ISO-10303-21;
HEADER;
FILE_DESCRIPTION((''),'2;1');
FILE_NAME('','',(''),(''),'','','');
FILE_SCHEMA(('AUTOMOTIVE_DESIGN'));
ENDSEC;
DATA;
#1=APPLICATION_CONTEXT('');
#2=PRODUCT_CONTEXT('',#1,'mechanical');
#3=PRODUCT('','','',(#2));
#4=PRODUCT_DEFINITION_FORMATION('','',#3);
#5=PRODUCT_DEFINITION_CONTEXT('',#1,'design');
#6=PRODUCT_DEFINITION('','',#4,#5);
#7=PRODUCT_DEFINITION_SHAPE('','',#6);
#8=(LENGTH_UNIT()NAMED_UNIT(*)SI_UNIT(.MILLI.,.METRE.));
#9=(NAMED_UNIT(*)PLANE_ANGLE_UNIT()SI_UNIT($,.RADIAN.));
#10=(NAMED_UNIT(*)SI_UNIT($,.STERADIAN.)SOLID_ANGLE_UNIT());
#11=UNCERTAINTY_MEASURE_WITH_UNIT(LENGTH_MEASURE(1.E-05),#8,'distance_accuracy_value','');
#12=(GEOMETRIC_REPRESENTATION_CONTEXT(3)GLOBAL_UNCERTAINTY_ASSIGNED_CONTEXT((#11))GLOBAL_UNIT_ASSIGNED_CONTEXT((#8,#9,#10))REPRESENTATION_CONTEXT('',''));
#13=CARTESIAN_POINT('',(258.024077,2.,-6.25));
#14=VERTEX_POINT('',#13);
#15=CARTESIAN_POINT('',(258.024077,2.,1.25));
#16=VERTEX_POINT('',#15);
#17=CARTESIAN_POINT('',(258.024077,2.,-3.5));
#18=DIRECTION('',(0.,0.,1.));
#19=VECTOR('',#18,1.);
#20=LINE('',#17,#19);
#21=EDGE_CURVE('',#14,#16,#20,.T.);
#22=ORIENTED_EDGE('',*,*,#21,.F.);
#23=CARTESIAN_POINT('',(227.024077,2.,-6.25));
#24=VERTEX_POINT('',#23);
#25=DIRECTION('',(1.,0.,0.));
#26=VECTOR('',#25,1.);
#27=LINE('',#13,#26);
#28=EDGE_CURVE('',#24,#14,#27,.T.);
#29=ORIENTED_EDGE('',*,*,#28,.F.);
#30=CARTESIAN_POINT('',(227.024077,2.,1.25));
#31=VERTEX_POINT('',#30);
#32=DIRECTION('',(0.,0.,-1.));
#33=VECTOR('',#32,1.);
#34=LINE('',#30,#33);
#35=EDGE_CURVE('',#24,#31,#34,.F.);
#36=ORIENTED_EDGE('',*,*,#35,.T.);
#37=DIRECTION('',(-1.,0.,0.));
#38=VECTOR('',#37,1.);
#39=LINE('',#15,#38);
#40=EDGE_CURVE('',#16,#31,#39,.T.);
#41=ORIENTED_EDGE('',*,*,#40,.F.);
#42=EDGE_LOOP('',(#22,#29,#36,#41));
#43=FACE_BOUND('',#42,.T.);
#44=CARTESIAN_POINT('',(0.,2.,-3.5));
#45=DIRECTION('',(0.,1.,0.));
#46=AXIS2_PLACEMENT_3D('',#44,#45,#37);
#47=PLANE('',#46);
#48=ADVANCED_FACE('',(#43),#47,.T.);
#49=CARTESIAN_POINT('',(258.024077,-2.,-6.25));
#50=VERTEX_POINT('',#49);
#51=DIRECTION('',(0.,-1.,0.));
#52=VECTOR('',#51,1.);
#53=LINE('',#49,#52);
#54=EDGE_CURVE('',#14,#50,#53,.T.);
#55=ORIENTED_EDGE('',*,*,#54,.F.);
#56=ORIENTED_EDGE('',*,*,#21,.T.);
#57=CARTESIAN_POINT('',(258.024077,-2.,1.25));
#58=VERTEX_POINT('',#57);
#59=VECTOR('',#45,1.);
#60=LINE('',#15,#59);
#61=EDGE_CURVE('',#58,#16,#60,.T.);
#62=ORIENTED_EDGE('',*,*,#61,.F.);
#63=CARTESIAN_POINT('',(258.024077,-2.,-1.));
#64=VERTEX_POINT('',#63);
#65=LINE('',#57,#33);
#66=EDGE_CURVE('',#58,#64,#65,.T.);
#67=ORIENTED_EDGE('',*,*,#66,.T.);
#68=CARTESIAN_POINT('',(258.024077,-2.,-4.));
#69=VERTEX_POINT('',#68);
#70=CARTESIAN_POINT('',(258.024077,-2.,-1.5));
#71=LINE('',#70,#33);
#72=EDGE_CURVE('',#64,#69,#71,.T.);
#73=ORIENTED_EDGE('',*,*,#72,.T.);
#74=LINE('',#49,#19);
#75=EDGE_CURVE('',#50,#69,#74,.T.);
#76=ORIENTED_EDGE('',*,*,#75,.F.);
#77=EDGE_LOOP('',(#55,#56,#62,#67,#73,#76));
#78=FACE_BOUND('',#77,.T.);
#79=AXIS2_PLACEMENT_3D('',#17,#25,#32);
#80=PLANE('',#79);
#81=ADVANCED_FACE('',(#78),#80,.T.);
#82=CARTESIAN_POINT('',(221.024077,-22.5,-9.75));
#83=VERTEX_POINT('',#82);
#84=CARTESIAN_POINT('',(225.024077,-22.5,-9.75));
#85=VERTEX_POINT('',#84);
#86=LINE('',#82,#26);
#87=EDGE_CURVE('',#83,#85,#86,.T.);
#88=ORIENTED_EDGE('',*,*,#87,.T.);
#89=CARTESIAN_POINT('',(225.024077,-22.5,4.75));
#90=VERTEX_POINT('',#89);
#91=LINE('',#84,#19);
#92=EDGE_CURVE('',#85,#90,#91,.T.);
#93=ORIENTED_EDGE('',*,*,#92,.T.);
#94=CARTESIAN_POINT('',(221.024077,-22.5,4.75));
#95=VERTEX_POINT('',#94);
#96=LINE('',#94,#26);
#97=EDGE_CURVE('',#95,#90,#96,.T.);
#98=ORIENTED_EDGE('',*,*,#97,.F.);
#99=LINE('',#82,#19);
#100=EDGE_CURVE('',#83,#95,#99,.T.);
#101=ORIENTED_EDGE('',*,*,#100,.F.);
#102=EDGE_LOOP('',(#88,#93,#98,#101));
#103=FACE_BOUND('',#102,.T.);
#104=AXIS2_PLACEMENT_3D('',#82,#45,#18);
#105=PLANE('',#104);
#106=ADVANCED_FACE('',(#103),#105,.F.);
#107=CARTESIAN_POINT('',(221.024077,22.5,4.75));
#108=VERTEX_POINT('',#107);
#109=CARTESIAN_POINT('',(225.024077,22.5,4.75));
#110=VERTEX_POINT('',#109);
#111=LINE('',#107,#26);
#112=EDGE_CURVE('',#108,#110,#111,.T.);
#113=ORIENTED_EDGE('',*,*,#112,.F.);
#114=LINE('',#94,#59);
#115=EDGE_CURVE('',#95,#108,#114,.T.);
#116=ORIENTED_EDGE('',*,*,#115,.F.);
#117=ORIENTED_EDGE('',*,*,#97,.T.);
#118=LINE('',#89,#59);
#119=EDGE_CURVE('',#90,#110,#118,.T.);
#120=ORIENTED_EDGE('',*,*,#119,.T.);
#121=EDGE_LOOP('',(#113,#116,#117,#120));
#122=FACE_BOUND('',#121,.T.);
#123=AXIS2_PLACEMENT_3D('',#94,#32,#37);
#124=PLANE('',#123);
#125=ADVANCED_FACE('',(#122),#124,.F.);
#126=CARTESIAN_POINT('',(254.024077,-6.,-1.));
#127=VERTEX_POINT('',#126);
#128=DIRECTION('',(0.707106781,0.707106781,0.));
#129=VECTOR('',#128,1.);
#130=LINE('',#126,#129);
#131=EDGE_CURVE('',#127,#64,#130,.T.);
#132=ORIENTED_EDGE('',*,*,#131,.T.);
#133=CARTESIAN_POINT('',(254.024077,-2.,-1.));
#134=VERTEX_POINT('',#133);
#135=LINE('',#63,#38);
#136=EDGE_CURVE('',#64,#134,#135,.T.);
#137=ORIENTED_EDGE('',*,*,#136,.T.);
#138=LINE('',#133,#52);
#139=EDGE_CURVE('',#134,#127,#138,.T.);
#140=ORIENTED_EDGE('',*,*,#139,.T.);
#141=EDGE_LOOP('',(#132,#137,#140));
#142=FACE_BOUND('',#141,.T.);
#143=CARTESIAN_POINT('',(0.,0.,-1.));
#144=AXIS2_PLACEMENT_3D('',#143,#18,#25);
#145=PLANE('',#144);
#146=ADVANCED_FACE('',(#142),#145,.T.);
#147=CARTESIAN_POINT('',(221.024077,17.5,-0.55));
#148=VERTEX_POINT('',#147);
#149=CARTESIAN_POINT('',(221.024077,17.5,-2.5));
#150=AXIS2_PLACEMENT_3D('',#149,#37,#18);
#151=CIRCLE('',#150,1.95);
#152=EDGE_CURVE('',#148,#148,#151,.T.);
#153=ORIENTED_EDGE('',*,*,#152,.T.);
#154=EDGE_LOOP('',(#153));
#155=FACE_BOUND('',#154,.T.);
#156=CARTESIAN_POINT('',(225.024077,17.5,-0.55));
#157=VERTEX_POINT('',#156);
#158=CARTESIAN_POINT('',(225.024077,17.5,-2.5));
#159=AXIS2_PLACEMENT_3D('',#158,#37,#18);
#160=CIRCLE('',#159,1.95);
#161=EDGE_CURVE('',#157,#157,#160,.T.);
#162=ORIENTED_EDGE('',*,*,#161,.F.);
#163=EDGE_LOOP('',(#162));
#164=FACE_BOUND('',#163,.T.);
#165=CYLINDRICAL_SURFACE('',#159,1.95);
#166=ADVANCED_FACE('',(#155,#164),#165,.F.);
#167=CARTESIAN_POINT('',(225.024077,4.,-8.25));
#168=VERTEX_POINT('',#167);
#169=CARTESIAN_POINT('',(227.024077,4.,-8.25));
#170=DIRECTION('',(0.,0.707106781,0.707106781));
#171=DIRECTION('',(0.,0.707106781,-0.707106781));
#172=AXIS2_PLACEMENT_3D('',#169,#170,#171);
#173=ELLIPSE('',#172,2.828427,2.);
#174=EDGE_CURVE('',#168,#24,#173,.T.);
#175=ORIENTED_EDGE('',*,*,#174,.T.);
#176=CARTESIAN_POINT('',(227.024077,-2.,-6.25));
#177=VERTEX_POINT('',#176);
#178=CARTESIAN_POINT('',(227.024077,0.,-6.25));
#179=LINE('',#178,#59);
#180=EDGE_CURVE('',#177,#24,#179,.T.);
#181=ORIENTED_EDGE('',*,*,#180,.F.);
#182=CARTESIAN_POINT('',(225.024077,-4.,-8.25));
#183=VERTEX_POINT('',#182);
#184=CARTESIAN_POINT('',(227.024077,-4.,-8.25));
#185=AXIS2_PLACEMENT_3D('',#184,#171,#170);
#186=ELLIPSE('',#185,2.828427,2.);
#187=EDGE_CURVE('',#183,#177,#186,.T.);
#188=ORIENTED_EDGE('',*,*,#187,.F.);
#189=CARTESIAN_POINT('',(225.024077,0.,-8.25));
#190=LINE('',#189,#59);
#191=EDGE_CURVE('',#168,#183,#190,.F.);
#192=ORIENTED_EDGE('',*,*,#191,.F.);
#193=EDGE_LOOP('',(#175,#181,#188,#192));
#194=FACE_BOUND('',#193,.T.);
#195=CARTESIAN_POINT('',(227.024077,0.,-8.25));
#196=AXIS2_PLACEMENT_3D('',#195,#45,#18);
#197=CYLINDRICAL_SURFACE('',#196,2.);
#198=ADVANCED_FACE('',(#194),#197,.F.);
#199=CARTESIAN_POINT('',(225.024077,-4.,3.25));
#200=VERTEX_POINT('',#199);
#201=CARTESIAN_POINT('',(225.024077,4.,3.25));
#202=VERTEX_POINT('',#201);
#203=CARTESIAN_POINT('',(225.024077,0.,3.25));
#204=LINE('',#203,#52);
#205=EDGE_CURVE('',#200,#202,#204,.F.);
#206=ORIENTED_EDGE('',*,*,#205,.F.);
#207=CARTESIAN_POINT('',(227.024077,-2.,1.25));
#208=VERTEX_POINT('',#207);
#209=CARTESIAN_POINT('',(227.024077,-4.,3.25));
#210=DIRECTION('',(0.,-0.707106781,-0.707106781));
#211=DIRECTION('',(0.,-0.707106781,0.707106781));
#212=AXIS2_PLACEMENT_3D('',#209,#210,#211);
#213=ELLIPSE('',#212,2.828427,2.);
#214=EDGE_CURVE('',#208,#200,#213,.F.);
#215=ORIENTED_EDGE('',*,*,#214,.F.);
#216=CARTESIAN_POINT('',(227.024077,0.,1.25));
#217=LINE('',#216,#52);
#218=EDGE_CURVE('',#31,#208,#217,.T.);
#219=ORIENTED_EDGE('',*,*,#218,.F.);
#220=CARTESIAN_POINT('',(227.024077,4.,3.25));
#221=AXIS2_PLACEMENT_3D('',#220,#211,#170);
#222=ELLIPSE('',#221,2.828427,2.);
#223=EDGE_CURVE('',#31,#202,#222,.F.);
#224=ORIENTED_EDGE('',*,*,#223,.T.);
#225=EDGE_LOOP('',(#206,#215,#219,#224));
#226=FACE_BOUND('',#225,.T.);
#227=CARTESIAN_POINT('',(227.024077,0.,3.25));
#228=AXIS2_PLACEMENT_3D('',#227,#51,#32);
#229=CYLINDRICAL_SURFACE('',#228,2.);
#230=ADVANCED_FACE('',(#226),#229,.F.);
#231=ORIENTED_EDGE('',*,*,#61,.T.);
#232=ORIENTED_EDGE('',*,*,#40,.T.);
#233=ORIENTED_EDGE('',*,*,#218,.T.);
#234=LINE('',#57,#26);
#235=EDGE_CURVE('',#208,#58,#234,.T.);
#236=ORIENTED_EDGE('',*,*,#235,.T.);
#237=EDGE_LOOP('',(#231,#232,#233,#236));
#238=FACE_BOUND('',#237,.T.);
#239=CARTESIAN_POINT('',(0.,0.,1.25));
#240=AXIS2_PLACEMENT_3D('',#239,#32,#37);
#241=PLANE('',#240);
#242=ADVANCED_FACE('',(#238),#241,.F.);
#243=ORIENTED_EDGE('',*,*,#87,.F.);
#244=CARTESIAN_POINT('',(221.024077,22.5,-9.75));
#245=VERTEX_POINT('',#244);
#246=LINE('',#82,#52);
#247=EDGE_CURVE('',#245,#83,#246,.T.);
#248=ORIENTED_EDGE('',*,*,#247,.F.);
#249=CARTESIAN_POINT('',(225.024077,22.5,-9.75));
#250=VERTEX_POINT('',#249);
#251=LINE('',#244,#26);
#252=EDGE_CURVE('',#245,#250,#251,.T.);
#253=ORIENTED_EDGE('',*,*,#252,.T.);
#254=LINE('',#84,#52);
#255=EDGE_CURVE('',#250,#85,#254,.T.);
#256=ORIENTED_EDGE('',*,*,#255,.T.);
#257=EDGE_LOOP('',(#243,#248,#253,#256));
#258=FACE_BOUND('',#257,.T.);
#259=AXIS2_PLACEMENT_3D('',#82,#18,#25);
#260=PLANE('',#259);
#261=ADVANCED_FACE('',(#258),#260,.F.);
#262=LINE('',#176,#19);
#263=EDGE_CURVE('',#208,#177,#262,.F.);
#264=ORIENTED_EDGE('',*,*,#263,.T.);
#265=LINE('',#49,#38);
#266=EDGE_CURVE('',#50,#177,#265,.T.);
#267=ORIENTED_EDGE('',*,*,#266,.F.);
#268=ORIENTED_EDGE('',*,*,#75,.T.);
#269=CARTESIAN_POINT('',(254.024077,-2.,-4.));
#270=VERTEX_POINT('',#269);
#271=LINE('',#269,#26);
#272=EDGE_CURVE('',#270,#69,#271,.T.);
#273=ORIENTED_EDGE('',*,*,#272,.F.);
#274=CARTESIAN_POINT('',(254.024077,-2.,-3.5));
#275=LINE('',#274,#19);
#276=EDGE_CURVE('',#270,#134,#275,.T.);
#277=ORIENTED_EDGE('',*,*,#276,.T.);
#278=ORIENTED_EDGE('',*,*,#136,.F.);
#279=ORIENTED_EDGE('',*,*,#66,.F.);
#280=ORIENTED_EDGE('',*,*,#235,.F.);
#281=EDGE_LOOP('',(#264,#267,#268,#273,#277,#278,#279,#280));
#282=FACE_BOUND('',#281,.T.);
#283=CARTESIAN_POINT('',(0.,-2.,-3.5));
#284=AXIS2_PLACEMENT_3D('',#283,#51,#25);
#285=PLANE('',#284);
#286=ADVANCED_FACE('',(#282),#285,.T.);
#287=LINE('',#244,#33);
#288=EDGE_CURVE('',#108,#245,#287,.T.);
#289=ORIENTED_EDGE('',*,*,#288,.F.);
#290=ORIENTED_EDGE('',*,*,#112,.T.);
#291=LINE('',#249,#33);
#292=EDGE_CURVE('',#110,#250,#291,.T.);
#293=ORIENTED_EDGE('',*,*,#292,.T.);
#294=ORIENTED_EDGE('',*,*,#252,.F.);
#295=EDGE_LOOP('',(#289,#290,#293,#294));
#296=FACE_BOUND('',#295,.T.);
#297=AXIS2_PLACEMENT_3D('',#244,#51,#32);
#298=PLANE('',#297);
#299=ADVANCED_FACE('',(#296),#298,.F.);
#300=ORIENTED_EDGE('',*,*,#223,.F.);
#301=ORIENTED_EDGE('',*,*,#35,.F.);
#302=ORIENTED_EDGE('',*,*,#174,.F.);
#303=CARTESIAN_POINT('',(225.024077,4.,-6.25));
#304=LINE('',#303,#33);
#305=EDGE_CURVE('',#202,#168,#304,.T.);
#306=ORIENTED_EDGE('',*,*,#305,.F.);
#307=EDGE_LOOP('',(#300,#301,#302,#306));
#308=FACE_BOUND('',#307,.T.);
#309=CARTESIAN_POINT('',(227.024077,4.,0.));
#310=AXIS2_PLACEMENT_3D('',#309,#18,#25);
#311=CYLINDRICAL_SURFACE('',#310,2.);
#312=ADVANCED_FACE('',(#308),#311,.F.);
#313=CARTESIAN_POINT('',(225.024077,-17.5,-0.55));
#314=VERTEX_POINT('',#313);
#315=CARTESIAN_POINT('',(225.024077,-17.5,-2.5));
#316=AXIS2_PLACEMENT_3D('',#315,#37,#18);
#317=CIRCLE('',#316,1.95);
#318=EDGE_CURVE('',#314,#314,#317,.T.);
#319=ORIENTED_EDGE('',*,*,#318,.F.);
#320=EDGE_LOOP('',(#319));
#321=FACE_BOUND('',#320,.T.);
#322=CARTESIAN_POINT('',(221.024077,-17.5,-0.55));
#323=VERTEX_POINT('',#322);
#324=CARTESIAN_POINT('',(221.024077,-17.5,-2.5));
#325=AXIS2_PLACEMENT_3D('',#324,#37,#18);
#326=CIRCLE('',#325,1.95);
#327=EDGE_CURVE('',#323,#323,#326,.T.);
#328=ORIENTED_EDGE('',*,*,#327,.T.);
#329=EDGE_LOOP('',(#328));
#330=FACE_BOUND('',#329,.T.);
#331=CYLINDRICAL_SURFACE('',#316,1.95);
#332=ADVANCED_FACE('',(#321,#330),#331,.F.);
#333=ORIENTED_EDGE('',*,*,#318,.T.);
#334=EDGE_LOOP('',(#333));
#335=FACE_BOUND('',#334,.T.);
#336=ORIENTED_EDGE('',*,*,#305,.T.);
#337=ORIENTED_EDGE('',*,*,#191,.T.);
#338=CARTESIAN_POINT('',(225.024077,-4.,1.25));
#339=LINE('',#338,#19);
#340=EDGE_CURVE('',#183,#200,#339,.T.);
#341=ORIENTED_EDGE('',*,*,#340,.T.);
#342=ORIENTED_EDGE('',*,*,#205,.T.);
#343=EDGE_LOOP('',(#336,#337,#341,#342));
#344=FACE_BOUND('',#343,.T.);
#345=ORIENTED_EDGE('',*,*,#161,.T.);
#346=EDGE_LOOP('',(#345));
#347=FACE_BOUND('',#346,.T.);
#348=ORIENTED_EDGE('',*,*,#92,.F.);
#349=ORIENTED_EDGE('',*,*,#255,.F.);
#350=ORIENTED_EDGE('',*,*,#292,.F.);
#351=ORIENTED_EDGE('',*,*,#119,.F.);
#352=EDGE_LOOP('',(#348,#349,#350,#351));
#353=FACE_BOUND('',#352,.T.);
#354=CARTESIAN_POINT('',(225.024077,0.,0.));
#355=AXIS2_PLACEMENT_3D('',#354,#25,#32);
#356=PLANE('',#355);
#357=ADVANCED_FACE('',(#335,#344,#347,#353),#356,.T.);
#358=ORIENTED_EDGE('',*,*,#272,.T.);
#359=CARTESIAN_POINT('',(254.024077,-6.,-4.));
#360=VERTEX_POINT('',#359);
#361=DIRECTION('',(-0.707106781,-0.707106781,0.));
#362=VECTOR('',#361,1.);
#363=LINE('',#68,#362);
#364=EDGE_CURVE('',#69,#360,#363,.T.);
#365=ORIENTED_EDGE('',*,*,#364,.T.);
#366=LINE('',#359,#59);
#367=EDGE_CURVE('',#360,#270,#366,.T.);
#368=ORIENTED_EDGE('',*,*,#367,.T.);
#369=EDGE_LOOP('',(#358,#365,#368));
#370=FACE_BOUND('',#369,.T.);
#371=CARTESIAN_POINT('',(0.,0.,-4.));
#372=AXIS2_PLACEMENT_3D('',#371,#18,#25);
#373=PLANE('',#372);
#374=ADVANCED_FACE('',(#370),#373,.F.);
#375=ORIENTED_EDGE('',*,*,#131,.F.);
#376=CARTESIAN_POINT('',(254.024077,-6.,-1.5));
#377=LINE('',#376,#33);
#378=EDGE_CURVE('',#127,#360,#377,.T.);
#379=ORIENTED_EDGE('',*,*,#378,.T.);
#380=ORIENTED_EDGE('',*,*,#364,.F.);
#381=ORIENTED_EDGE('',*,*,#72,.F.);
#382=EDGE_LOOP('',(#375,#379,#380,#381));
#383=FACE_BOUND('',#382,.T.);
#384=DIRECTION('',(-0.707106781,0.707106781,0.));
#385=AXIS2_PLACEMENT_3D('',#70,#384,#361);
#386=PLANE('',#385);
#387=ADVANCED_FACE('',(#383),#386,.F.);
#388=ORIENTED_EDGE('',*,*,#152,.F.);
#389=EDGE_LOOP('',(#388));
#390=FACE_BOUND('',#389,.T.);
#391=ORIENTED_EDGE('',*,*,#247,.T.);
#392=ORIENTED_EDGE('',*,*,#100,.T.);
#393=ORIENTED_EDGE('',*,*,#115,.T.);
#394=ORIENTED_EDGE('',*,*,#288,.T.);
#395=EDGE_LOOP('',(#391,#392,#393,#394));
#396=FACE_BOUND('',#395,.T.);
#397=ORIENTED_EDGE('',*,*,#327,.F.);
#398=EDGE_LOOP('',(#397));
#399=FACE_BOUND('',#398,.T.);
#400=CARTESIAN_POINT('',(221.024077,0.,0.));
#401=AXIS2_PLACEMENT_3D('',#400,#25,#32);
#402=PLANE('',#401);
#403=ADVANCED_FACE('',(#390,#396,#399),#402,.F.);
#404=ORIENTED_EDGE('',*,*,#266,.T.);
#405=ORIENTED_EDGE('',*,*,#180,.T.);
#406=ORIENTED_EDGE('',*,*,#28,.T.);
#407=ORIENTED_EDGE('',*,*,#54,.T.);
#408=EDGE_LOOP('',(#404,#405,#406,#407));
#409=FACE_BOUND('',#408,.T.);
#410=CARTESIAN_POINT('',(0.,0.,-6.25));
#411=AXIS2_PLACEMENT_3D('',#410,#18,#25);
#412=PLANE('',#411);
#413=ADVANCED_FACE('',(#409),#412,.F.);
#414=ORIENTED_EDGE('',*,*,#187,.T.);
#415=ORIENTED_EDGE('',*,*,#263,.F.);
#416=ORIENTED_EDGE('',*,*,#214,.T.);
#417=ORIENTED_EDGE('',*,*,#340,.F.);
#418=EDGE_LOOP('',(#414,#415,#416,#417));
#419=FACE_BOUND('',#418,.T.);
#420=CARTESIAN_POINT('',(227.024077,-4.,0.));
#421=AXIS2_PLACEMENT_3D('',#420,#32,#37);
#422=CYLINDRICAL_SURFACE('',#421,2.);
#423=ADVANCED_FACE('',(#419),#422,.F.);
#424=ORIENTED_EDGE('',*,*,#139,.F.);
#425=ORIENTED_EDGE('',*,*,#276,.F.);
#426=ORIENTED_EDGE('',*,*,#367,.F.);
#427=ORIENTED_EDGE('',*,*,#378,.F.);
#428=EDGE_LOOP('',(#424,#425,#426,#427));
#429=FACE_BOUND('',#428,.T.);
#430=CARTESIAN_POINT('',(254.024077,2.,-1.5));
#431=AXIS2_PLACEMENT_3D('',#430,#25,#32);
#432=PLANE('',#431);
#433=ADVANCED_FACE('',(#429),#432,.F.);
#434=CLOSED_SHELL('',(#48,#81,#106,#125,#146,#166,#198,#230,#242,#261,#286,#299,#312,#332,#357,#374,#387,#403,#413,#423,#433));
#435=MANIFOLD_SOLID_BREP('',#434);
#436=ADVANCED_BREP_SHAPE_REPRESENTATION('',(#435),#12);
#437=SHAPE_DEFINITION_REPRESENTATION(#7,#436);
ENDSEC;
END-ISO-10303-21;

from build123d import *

# Parameters (mm, degrees)
BOSS_EXTRUDE1_DEPTH      = 1
BOSS_EXTRUDE1_DEPTH_BACK = 1
SKETCH2_R                = 2
SKETCH2_R_2              = 1
BOSS_EXTRUDE2_DEPTH      = 4
SKETCH4_R                = 1.07
CUT_EXTRUDE1_DEPTH       = 233.583689314
BOSS_EXTRUDE3_DEPTH      = 2
SKETCH8_W                = 4
SKETCH8_H                = 8
BOSS_EXTRUDE4_DEPTH      = 2
CUT_EXTRUDE2_DEPTH       = 2
SKETCH10_W               = 34.5
SKETCH10_H               = 4
BOSS_EXTRUDE5_DEPTH      = 2.75
SKETCH11_W               = 34.5
SKETCH11_H               = 4
BOSS_EXTRUDE6_DEPTH      = 2.75
BOSS_EXTRUDE7_DEPTH      = 0.5
BOSS_EXTRUDE8_DEPTH      = 0.5
SKETCH14_W               = 1.779922348
SKETCH14_H               = 4
BOSS_EXTRUDE9_DEPTH      = 7.5
CUT_EXTRUDE3_DEPTH       = 10
CUT_EXTRUDE3_DEPTH_BACK  = 2
SKETCH15_W               = 40
SKETCH15_H               = 27.31360861
SKETCH16_W               = 14.5
SKETCH16_H               = 45
BOSS_EXTRUDE10_DEPTH     = 4
SKETCH18_R               = 1.95
CUT_EXTRUDE4_DEPTH       = 4
FILLET1_R                = 2


with BuildPart() as part:
    # Sketch2 → Boss-Extrude1 (new, two sides: drawn at the far end of the back side and taken through both)
    # profile 1 of 2: a face of its own
    with BuildSketch(Plane.XY.offset(-2.5).offset(-BOSS_EXTRUDE1_DEPTH_BACK)):
        with BuildLine():
            ThreePointArc((230.02407749, -2), (228.02407749, 0), (230.02407749, 2))
            Line((230.02407749, 2), (225.02407749, 2))
            Line((225.02407749, 2), (225.02407749, -2))
            Line((225.02407749, -2), (230.02407749, -2))
        make_face()
    # profile 2 of 2: a face of its own
    with BuildSketch(Plane.XY.offset(-2.5).offset(-BOSS_EXTRUDE1_DEPTH_BACK)):
        with Locations((230.02407749, 0)):
            Circle(SKETCH2_R)
        with Locations((230.02407749, 0)):
            Circle(SKETCH2_R_2, mode=Mode.SUBTRACT)
    extrude(amount=BOSS_EXTRUDE1_DEPTH + BOSS_EXTRUDE1_DEPTH_BACK)

    # Sketch3 → Boss-Extrude2 (add)
    with BuildSketch(Plane(origin=(0, 2, 0), x_dir=(1, 0, 0), z_dir=(0, 1, 0))):
        Polygon((223.02407749, 2.5), (225.02407749, 2.5), (225.02407749, 3.5), (222.02407749, 10.5), (216.095506061, 10.5), (216.095506061, 8.5), (221.095506061, 8.5), (223.02407749, 4), align=None)
        Polygon((222.02407749, -5.5), (225.02407749, 1.5), (225.02407749, 2.5), (223.02407749, 2.5), (223.02407749, 1), (221.095506061, -3.5), (216.095506061, -3.5), (216.095506061, -5.5), align=None)
    extrude(amount=-BOSS_EXTRUDE2_DEPTH)

    # Sketch4 → Cut-Extrude1 (cut, through all)
    with BuildSketch(Plane(origin=(0, 0, -10.5), x_dir=(-1, 0, 0), z_dir=(0, 0, -1))):
        with Locations((-218.095506061, 0)):
            Circle(SKETCH4_R)
    extrude(amount=-CUT_EXTRUDE1_DEPTH, mode=Mode.SUBTRACT)

    # Sketch6 → Boss-Extrude3 (add)
    with BuildSketch(Plane.XY.offset(-1.5)):
        Polygon((230.02407749, 2), (258.02407749, 2), (258.02407749, -2), (230.02407749, -2), (228.102487775, -2), (228.102487775, 2), align=None)
    extrude(amount=-BOSS_EXTRUDE3_DEPTH)

    # Sketch8 → Boss-Extrude4 (add)
    with BuildSketch(Plane(origin=(0, 0, -3.5), x_dir=(-1, 0, 0), z_dir=(0, 0, -1))):
        with Locations((-256.02407749, -2)):
            Rectangle(SKETCH8_W, SKETCH8_H)
    extrude(amount=-BOSS_EXTRUDE4_DEPTH)

    # Sketch9 → Cut-Extrude2 (cut)
    with BuildSketch(Plane(origin=(0, 0, -3.5), x_dir=(-1, 0, 0), z_dir=(0, 0, -1))):
        Polygon((-254.02407749, -6), (-258.02407749, -6), (-258.02407749, -2), align=None)
    extrude(amount=-CUT_EXTRUDE2_DEPTH, mode=Mode.SUBTRACT)

    # Sketch10 → Boss-Extrude5 (add)
    with BuildSketch(Plane(origin=(0, 0, -3.5), x_dir=(-1, 0, 0), z_dir=(0, 0, -1))):
        with Locations((-240.77407749, 0)):
            Rectangle(SKETCH10_W, SKETCH10_H)
    extrude(amount=BOSS_EXTRUDE5_DEPTH)

    # Sketch11 → Boss-Extrude6 (add)
    with BuildSketch(Plane.XY.offset(-1.5)):
        with Locations((240.77407749, 0)):
            Rectangle(SKETCH11_W, SKETCH11_H)
    extrude(amount=BOSS_EXTRUDE6_DEPTH)

    # Sketch12 → Boss-Extrude7 (add)
    with BuildSketch(Plane(origin=(0, 0, -3.5), x_dir=(-1, 0, 0), z_dir=(0, 0, -1))):
        Polygon((-258.02407749, -2), (-254.02407749, -6), (-254.02407749, -2), align=None)
    extrude(amount=BOSS_EXTRUDE7_DEPTH)

    # Sketch13 → Boss-Extrude8 (add)
    with BuildSketch(Plane.XY.offset(-1.5)):
        Polygon((254.02407749, -2), (254.02407749, -6), (258.02407749, -2), align=None)
    extrude(amount=BOSS_EXTRUDE8_DEPTH)

    # Sketch14 → Boss-Extrude9 (add)
    with BuildSketch(Plane(origin=(0, 0, -6.25), x_dir=(-1, 0, 0), z_dir=(0, 0, -1))):
        with Locations((-223.914038664, 0)):
            Rectangle(SKETCH14_W, SKETCH14_H)
    extrude(amount=-BOSS_EXTRUDE9_DEPTH)

    # Sketch15 → Cut-Extrude3 (cut, two sides: drawn at the far end of the back side and taken through both)
    with BuildSketch(Plane.ZY.offset(-223.02407749).offset(-CUT_EXTRUDE3_DEPTH_BACK)):
        with Locations((-2.5, 0)):
            Rectangle(SKETCH15_W, SKETCH15_H)
    extrude(amount=CUT_EXTRUDE3_DEPTH + CUT_EXTRUDE3_DEPTH_BACK, mode=Mode.SUBTRACT)

    # Sketch16 → Boss-Extrude10 (add)
    with BuildSketch(Plane.ZY.offset(-225.02407749)):
        with Locations((-2.5, 0)):
            Rectangle(SKETCH16_W, SKETCH16_H)
    extrude(amount=BOSS_EXTRUDE10_DEPTH)

    # Sketch18 → Cut-Extrude4 (cut)
    with BuildSketch(Plane.ZY.offset(-221.02407749)):
        with Locations((-2.5, 17.5)):
            Circle(SKETCH18_R)
        with Locations((-2.5, -17.5)):
            Circle(SKETCH18_R)
    extrude(amount=-CUT_EXTRUDE4_DEPTH, mode=Mode.SUBTRACT)

    # Fillet1
    fillet1_edges = [part.edges().sort_by_distance(p)[0] for p in [
        (225.02407749, 0, 1.25),
        (225.02407749, 0, -6.25),
        (225.02407749, -2, -2.5),
        (225.02407749, 2, -2.5),
    ]]
    fillet(fillet1_edges, radius=FILLET1_R)


solid = part.part
